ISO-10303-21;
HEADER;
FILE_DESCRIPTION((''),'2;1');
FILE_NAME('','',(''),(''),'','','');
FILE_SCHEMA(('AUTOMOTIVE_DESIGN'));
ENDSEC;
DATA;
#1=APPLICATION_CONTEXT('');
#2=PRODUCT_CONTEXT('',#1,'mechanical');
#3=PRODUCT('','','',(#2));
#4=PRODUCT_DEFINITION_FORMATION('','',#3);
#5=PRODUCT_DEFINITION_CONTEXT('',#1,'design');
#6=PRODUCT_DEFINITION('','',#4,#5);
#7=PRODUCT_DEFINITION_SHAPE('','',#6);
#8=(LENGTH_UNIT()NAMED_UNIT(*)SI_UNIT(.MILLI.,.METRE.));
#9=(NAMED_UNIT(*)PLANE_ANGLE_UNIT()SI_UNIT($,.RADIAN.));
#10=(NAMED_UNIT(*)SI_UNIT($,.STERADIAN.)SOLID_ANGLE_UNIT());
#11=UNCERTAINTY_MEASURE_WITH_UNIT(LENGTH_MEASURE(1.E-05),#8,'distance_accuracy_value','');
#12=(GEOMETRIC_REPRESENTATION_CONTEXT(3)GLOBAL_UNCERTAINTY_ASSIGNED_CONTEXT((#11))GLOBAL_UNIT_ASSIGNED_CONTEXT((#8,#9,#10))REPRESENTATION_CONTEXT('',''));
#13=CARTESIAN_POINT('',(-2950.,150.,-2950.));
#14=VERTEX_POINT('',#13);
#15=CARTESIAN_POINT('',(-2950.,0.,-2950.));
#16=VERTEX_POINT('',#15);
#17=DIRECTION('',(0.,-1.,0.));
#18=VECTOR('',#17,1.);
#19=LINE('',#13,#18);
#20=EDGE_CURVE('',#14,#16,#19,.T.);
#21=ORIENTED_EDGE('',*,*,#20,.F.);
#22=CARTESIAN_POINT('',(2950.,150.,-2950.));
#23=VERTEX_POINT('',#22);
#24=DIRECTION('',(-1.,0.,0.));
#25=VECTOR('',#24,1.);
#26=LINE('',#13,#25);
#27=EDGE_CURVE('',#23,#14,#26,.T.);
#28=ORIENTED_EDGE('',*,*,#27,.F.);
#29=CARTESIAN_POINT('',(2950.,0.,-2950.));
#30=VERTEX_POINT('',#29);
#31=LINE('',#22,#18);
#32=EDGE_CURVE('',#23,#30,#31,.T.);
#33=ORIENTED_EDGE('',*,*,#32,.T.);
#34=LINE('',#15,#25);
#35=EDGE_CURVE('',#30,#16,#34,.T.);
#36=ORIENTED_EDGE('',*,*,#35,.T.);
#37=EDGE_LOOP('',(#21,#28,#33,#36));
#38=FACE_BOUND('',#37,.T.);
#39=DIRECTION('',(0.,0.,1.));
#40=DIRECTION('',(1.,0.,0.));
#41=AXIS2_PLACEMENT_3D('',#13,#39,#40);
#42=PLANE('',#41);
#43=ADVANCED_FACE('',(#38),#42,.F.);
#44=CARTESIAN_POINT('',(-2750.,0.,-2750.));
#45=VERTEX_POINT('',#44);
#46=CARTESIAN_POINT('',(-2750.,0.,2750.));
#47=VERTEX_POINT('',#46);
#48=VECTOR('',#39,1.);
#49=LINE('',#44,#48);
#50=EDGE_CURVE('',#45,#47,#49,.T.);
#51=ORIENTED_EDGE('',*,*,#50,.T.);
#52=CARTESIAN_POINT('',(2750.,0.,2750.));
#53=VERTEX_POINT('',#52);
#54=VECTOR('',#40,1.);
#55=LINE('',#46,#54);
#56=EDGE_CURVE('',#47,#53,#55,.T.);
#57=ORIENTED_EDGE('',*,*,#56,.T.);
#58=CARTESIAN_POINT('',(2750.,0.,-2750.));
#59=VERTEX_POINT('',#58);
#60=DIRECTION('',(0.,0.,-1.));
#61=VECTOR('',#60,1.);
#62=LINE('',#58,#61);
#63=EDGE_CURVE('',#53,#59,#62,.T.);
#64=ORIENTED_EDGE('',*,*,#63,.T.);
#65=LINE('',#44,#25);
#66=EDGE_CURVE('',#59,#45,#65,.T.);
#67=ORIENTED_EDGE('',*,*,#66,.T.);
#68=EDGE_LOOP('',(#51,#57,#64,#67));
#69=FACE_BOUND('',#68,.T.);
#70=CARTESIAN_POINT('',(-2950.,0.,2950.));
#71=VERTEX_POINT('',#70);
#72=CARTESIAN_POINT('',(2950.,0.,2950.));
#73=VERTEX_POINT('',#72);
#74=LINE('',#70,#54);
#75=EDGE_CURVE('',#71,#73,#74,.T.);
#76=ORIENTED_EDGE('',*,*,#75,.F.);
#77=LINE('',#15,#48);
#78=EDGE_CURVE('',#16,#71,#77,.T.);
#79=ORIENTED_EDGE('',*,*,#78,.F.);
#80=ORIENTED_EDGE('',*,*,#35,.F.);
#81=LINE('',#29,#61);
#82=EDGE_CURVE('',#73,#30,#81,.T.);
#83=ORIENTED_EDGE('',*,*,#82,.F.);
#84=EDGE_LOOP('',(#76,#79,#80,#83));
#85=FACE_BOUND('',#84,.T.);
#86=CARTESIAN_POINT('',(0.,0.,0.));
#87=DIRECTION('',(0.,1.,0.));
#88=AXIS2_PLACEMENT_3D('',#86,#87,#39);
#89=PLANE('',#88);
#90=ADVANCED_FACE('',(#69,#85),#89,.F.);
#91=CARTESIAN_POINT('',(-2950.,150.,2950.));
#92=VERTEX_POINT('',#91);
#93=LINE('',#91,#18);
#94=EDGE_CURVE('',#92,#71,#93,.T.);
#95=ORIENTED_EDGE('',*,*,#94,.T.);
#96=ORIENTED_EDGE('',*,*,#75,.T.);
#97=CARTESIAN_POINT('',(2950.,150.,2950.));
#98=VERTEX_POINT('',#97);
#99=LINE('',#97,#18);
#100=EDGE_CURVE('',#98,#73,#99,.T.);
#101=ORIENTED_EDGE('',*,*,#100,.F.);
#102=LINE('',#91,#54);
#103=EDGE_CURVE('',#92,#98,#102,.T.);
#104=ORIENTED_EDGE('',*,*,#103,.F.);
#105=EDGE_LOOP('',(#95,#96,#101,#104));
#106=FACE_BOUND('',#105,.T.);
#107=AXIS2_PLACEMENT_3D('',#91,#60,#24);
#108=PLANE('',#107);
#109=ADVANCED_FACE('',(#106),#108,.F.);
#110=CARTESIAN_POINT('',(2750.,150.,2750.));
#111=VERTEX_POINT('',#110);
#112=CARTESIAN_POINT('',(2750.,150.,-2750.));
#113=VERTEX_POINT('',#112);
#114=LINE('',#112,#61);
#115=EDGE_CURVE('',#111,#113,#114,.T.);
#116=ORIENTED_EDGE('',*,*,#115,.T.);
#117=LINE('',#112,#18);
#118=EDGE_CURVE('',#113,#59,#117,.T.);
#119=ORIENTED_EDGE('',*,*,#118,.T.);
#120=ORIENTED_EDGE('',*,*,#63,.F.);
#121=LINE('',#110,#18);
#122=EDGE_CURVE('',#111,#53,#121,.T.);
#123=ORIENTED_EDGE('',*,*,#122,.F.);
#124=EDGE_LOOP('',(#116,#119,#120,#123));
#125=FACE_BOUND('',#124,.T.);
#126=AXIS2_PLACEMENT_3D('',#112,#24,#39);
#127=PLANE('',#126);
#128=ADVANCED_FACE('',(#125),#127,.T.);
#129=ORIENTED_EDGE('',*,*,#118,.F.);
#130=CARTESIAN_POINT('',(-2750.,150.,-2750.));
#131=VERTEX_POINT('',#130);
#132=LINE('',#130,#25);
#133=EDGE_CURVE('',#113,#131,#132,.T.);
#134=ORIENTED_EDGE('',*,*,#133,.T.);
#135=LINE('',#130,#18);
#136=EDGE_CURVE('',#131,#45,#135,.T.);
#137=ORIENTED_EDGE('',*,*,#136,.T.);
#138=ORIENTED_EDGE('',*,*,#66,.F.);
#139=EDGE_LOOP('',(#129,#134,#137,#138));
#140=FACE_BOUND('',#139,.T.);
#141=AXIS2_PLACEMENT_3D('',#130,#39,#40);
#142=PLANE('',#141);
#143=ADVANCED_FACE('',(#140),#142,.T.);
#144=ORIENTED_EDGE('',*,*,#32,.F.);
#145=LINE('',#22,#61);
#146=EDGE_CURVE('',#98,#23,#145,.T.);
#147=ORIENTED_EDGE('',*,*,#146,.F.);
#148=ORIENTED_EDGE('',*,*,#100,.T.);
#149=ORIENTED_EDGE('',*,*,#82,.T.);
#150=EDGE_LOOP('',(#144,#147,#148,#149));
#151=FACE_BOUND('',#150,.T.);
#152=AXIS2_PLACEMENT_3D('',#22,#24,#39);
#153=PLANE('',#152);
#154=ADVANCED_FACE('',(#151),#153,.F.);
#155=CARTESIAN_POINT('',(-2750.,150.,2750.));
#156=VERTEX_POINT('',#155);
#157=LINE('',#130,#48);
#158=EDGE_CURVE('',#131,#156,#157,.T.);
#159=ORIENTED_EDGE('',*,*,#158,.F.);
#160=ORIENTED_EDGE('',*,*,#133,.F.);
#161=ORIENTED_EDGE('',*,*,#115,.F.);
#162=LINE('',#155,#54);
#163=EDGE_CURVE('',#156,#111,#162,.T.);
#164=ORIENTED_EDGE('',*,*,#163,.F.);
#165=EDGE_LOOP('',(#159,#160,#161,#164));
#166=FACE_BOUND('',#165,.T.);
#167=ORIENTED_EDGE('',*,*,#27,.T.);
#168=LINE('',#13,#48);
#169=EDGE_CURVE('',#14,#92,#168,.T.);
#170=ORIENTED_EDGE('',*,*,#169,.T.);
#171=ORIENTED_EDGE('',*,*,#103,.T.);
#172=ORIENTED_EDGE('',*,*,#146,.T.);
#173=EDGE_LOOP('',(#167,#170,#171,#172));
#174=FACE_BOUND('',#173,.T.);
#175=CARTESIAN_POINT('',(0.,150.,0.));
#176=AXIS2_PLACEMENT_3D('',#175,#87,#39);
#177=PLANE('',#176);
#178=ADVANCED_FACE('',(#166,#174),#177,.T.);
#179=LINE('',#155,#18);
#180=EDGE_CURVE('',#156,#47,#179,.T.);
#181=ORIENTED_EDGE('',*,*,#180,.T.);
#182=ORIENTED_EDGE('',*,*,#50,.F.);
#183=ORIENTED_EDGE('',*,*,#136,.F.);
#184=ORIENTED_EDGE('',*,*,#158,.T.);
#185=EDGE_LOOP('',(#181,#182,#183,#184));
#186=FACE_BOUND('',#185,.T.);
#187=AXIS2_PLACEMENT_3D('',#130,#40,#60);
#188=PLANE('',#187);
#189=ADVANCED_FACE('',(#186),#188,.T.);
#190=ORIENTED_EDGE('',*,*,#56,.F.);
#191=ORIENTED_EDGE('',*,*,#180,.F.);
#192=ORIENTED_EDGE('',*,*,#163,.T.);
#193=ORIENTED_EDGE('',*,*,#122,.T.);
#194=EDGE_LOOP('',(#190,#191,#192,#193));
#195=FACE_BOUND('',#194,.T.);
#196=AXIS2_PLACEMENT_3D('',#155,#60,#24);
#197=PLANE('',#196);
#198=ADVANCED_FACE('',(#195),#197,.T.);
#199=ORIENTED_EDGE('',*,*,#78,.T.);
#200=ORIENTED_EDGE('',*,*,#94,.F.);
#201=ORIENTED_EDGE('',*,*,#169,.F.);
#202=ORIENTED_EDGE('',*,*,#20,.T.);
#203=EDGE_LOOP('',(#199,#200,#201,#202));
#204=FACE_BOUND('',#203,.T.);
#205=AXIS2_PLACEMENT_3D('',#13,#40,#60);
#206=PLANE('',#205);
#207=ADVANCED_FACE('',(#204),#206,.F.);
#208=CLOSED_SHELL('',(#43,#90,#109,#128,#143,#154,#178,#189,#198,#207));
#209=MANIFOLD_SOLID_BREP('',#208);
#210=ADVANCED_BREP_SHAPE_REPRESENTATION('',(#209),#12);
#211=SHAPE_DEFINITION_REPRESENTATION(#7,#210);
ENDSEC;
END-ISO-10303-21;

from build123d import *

# Parameters (mm, degrees)
ESBO_O1_W                = 5900
ESBO_O1_H                = 5900
ESBO_O1_W_2              = 5500
ESBO_O1_H_2              = 5500
RESSALTO_EXTRUS_O1_DEPTH = 150


with BuildPart() as part:
    # Esboço1 → Ressalto-extrusão1 (new body)
    with BuildSketch(Plane(origin=(0, 0, 0), x_dir=(1, 0, 0), z_dir=(0, 1, 0))):
        Rectangle(ESBO_O1_W, ESBO_O1_H)
        Rectangle(ESBO_O1_W_2, ESBO_O1_H_2, mode=Mode.SUBTRACT)
    extrude(amount=RESSALTO_EXTRUS_O1_DEPTH)


solid = part.part
